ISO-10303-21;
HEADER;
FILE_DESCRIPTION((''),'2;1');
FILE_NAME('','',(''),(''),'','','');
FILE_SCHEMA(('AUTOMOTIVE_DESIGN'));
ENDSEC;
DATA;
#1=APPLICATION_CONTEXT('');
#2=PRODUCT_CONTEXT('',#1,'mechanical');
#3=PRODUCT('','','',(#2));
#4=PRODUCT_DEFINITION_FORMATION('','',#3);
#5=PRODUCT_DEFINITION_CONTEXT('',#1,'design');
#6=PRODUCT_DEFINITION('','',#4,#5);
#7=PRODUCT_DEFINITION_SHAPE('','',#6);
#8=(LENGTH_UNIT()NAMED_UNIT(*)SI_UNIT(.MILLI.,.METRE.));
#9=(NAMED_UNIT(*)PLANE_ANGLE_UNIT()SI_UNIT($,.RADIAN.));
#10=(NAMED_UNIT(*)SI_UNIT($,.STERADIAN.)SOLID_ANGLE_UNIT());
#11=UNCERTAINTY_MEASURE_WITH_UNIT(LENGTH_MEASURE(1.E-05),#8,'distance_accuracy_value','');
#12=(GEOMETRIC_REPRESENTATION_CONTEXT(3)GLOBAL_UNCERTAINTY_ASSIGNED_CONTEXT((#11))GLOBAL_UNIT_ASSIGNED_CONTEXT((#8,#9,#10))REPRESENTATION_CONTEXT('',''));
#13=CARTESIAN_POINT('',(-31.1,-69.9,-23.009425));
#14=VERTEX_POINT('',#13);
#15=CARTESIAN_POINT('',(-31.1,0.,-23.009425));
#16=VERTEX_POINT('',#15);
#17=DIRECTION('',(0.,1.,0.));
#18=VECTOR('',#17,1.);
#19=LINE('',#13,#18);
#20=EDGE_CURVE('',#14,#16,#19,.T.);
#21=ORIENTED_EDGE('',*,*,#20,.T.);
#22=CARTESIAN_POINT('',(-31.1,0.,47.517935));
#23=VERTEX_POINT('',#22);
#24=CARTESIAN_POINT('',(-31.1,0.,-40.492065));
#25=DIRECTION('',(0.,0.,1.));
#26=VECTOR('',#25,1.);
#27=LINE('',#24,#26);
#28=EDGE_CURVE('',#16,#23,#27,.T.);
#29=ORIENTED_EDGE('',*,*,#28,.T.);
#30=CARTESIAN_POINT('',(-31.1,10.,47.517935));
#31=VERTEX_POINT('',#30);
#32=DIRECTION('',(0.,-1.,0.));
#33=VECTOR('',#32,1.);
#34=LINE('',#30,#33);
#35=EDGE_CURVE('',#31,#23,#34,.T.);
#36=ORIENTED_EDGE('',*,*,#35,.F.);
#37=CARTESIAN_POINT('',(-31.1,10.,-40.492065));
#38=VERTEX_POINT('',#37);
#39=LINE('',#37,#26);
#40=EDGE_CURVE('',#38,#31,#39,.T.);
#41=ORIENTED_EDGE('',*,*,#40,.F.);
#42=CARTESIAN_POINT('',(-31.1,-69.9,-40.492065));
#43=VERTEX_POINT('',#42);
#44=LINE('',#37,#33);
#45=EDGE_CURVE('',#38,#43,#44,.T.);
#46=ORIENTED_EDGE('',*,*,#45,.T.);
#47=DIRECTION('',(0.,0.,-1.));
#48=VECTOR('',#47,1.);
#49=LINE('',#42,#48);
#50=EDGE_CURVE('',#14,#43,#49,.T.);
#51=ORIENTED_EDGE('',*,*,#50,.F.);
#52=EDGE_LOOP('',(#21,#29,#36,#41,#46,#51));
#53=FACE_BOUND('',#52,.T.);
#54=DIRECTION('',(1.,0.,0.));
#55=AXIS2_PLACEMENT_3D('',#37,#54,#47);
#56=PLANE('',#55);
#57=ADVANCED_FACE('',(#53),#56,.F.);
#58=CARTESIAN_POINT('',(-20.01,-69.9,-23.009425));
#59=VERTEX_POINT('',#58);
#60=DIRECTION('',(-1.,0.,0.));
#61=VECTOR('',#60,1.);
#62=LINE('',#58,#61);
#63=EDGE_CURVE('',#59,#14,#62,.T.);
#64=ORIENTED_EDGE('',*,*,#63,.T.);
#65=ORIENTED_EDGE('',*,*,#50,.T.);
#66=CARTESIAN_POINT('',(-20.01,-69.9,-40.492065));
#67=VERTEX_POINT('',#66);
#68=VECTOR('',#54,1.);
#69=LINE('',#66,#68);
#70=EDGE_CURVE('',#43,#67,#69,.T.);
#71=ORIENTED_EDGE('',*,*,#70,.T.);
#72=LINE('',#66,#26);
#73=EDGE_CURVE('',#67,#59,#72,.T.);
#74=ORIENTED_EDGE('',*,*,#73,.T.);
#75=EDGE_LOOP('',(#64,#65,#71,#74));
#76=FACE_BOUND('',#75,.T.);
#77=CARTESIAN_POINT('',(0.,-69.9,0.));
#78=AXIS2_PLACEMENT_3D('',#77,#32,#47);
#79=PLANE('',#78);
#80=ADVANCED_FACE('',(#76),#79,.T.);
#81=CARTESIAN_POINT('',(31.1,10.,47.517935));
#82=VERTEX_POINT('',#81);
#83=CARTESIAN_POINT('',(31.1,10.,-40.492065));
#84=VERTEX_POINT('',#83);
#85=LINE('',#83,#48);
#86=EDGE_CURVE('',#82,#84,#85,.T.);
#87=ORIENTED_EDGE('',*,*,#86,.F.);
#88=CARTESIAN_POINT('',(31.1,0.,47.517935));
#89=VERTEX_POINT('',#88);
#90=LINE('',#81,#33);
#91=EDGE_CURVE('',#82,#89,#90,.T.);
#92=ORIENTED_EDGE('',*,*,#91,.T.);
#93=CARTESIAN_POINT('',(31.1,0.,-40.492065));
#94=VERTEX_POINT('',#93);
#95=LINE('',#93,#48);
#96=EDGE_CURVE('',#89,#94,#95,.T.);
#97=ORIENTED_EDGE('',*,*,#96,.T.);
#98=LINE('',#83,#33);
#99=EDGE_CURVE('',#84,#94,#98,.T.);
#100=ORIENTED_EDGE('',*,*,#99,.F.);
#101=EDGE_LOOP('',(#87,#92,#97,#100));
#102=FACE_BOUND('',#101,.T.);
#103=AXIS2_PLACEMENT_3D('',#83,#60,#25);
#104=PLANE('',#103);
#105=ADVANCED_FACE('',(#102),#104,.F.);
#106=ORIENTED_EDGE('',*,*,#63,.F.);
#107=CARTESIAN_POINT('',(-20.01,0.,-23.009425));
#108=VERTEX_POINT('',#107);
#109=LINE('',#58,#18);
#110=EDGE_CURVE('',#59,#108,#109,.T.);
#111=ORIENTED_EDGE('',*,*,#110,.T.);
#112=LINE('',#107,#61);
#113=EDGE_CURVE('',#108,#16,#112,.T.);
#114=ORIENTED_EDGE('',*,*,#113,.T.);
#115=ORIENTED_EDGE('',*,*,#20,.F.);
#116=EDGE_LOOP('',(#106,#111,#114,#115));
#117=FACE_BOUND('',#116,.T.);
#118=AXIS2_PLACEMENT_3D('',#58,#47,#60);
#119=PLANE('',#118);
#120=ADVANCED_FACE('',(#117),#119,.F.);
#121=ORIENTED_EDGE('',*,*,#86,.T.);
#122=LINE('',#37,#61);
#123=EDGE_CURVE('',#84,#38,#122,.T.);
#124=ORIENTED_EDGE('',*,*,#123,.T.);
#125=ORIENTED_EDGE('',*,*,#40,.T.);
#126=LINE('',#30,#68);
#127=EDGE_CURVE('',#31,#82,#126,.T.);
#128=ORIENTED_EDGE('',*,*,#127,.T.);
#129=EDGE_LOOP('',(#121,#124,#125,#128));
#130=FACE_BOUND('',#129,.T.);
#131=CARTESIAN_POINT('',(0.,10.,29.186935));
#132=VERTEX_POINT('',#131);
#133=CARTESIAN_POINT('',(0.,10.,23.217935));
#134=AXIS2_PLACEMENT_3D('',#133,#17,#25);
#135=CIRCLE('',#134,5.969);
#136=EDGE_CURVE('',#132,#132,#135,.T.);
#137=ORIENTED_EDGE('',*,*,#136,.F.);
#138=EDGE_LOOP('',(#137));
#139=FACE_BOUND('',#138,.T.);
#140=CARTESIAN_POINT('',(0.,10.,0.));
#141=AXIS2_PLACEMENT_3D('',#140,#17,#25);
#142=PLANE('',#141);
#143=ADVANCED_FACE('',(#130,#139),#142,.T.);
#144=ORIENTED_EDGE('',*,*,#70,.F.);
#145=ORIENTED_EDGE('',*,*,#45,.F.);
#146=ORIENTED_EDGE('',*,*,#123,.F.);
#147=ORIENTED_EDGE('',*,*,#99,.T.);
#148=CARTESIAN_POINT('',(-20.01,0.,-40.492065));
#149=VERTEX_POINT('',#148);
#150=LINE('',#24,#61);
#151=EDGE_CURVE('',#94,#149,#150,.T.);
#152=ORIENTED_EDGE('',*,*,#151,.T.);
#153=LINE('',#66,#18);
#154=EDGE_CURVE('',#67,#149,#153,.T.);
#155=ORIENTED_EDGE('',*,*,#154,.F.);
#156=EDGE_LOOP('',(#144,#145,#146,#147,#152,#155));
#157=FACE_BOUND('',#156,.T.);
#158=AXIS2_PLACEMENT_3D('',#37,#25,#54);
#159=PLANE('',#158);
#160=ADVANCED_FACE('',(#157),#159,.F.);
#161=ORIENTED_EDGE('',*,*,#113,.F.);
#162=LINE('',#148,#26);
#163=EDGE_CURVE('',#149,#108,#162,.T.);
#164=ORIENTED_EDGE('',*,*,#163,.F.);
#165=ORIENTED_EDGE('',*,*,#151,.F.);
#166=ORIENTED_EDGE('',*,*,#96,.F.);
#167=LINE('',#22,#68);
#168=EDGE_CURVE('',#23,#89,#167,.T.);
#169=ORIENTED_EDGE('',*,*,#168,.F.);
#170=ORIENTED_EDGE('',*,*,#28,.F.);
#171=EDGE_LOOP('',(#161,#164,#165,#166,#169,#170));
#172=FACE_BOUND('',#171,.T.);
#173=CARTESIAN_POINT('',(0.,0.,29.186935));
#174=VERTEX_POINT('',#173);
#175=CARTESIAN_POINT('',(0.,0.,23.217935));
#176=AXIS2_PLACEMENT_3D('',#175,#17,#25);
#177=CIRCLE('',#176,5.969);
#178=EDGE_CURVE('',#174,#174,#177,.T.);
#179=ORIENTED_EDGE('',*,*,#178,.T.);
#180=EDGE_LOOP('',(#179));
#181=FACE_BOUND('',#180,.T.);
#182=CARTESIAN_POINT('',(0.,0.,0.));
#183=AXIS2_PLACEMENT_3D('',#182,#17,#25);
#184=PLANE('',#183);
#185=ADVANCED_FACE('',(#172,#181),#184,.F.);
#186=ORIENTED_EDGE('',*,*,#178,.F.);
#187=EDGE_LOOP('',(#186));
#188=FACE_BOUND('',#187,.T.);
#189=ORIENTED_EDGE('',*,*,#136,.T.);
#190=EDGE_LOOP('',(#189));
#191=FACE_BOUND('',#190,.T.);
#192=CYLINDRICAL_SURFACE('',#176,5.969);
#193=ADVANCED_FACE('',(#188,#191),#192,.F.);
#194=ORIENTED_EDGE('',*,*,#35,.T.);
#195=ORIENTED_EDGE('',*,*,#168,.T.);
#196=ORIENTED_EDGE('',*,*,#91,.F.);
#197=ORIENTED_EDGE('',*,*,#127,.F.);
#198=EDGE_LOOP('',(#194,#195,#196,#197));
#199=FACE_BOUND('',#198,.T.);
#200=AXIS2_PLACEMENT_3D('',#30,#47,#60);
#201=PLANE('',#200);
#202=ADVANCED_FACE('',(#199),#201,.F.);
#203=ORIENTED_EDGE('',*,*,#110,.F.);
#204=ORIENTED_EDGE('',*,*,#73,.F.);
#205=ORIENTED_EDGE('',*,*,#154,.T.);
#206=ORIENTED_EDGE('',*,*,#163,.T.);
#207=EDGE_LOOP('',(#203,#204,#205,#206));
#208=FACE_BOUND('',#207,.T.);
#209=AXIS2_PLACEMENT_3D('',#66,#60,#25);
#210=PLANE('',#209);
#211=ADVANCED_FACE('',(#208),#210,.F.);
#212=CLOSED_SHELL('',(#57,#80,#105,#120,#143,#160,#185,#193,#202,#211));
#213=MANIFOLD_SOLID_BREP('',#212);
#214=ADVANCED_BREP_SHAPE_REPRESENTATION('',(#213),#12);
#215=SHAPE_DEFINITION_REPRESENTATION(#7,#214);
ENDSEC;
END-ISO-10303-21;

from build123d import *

# Parameters (mm, degrees)
SKETCH1_W           = 62.2
SKETCH1_H           = 88.01
BOSS_EXTRUDE1_DEPTH = 10
SKETCH2_R           = 5.969
CUT_EXTRUDE1_DEPTH  = 10
SKETCH3_W           = 11.09
SKETCH3_H           = 17.48264
BOSS_EXTRUDE2_DEPTH = 69.9


with BuildPart() as part:
    # Sketch1 → Boss-Extrude1 (new body)
    with BuildSketch(Plane(origin=(0, 0, 0), x_dir=(1, 0, 0), z_dir=(0, 1, 0))):
        with Locations((0, -3.512935)):
            Rectangle(SKETCH1_W, SKETCH1_H)
    extrude(amount=BOSS_EXTRUDE1_DEPTH)

    # Sketch2 → Cut-Extrude1 (cut)
    with BuildSketch(Plane(origin=(0, 10, 0), x_dir=(1, 0, 0), z_dir=(0, 1, 0))):
        with Locations(Location((0, -23.217935, 0), (0, 0, 270))):
            Circle(SKETCH2_R)
    extrude(amount=-CUT_EXTRUDE1_DEPTH, mode=Mode.SUBTRACT)

    # Sketch3 → Boss-Extrude2 (add)
    with BuildSketch(Plane.XZ):
        with Locations((-25.555, -31.750745)):
            Rectangle(SKETCH3_W, SKETCH3_H)
    extrude(amount=BOSS_EXTRUDE2_DEPTH)


solid = part.part
